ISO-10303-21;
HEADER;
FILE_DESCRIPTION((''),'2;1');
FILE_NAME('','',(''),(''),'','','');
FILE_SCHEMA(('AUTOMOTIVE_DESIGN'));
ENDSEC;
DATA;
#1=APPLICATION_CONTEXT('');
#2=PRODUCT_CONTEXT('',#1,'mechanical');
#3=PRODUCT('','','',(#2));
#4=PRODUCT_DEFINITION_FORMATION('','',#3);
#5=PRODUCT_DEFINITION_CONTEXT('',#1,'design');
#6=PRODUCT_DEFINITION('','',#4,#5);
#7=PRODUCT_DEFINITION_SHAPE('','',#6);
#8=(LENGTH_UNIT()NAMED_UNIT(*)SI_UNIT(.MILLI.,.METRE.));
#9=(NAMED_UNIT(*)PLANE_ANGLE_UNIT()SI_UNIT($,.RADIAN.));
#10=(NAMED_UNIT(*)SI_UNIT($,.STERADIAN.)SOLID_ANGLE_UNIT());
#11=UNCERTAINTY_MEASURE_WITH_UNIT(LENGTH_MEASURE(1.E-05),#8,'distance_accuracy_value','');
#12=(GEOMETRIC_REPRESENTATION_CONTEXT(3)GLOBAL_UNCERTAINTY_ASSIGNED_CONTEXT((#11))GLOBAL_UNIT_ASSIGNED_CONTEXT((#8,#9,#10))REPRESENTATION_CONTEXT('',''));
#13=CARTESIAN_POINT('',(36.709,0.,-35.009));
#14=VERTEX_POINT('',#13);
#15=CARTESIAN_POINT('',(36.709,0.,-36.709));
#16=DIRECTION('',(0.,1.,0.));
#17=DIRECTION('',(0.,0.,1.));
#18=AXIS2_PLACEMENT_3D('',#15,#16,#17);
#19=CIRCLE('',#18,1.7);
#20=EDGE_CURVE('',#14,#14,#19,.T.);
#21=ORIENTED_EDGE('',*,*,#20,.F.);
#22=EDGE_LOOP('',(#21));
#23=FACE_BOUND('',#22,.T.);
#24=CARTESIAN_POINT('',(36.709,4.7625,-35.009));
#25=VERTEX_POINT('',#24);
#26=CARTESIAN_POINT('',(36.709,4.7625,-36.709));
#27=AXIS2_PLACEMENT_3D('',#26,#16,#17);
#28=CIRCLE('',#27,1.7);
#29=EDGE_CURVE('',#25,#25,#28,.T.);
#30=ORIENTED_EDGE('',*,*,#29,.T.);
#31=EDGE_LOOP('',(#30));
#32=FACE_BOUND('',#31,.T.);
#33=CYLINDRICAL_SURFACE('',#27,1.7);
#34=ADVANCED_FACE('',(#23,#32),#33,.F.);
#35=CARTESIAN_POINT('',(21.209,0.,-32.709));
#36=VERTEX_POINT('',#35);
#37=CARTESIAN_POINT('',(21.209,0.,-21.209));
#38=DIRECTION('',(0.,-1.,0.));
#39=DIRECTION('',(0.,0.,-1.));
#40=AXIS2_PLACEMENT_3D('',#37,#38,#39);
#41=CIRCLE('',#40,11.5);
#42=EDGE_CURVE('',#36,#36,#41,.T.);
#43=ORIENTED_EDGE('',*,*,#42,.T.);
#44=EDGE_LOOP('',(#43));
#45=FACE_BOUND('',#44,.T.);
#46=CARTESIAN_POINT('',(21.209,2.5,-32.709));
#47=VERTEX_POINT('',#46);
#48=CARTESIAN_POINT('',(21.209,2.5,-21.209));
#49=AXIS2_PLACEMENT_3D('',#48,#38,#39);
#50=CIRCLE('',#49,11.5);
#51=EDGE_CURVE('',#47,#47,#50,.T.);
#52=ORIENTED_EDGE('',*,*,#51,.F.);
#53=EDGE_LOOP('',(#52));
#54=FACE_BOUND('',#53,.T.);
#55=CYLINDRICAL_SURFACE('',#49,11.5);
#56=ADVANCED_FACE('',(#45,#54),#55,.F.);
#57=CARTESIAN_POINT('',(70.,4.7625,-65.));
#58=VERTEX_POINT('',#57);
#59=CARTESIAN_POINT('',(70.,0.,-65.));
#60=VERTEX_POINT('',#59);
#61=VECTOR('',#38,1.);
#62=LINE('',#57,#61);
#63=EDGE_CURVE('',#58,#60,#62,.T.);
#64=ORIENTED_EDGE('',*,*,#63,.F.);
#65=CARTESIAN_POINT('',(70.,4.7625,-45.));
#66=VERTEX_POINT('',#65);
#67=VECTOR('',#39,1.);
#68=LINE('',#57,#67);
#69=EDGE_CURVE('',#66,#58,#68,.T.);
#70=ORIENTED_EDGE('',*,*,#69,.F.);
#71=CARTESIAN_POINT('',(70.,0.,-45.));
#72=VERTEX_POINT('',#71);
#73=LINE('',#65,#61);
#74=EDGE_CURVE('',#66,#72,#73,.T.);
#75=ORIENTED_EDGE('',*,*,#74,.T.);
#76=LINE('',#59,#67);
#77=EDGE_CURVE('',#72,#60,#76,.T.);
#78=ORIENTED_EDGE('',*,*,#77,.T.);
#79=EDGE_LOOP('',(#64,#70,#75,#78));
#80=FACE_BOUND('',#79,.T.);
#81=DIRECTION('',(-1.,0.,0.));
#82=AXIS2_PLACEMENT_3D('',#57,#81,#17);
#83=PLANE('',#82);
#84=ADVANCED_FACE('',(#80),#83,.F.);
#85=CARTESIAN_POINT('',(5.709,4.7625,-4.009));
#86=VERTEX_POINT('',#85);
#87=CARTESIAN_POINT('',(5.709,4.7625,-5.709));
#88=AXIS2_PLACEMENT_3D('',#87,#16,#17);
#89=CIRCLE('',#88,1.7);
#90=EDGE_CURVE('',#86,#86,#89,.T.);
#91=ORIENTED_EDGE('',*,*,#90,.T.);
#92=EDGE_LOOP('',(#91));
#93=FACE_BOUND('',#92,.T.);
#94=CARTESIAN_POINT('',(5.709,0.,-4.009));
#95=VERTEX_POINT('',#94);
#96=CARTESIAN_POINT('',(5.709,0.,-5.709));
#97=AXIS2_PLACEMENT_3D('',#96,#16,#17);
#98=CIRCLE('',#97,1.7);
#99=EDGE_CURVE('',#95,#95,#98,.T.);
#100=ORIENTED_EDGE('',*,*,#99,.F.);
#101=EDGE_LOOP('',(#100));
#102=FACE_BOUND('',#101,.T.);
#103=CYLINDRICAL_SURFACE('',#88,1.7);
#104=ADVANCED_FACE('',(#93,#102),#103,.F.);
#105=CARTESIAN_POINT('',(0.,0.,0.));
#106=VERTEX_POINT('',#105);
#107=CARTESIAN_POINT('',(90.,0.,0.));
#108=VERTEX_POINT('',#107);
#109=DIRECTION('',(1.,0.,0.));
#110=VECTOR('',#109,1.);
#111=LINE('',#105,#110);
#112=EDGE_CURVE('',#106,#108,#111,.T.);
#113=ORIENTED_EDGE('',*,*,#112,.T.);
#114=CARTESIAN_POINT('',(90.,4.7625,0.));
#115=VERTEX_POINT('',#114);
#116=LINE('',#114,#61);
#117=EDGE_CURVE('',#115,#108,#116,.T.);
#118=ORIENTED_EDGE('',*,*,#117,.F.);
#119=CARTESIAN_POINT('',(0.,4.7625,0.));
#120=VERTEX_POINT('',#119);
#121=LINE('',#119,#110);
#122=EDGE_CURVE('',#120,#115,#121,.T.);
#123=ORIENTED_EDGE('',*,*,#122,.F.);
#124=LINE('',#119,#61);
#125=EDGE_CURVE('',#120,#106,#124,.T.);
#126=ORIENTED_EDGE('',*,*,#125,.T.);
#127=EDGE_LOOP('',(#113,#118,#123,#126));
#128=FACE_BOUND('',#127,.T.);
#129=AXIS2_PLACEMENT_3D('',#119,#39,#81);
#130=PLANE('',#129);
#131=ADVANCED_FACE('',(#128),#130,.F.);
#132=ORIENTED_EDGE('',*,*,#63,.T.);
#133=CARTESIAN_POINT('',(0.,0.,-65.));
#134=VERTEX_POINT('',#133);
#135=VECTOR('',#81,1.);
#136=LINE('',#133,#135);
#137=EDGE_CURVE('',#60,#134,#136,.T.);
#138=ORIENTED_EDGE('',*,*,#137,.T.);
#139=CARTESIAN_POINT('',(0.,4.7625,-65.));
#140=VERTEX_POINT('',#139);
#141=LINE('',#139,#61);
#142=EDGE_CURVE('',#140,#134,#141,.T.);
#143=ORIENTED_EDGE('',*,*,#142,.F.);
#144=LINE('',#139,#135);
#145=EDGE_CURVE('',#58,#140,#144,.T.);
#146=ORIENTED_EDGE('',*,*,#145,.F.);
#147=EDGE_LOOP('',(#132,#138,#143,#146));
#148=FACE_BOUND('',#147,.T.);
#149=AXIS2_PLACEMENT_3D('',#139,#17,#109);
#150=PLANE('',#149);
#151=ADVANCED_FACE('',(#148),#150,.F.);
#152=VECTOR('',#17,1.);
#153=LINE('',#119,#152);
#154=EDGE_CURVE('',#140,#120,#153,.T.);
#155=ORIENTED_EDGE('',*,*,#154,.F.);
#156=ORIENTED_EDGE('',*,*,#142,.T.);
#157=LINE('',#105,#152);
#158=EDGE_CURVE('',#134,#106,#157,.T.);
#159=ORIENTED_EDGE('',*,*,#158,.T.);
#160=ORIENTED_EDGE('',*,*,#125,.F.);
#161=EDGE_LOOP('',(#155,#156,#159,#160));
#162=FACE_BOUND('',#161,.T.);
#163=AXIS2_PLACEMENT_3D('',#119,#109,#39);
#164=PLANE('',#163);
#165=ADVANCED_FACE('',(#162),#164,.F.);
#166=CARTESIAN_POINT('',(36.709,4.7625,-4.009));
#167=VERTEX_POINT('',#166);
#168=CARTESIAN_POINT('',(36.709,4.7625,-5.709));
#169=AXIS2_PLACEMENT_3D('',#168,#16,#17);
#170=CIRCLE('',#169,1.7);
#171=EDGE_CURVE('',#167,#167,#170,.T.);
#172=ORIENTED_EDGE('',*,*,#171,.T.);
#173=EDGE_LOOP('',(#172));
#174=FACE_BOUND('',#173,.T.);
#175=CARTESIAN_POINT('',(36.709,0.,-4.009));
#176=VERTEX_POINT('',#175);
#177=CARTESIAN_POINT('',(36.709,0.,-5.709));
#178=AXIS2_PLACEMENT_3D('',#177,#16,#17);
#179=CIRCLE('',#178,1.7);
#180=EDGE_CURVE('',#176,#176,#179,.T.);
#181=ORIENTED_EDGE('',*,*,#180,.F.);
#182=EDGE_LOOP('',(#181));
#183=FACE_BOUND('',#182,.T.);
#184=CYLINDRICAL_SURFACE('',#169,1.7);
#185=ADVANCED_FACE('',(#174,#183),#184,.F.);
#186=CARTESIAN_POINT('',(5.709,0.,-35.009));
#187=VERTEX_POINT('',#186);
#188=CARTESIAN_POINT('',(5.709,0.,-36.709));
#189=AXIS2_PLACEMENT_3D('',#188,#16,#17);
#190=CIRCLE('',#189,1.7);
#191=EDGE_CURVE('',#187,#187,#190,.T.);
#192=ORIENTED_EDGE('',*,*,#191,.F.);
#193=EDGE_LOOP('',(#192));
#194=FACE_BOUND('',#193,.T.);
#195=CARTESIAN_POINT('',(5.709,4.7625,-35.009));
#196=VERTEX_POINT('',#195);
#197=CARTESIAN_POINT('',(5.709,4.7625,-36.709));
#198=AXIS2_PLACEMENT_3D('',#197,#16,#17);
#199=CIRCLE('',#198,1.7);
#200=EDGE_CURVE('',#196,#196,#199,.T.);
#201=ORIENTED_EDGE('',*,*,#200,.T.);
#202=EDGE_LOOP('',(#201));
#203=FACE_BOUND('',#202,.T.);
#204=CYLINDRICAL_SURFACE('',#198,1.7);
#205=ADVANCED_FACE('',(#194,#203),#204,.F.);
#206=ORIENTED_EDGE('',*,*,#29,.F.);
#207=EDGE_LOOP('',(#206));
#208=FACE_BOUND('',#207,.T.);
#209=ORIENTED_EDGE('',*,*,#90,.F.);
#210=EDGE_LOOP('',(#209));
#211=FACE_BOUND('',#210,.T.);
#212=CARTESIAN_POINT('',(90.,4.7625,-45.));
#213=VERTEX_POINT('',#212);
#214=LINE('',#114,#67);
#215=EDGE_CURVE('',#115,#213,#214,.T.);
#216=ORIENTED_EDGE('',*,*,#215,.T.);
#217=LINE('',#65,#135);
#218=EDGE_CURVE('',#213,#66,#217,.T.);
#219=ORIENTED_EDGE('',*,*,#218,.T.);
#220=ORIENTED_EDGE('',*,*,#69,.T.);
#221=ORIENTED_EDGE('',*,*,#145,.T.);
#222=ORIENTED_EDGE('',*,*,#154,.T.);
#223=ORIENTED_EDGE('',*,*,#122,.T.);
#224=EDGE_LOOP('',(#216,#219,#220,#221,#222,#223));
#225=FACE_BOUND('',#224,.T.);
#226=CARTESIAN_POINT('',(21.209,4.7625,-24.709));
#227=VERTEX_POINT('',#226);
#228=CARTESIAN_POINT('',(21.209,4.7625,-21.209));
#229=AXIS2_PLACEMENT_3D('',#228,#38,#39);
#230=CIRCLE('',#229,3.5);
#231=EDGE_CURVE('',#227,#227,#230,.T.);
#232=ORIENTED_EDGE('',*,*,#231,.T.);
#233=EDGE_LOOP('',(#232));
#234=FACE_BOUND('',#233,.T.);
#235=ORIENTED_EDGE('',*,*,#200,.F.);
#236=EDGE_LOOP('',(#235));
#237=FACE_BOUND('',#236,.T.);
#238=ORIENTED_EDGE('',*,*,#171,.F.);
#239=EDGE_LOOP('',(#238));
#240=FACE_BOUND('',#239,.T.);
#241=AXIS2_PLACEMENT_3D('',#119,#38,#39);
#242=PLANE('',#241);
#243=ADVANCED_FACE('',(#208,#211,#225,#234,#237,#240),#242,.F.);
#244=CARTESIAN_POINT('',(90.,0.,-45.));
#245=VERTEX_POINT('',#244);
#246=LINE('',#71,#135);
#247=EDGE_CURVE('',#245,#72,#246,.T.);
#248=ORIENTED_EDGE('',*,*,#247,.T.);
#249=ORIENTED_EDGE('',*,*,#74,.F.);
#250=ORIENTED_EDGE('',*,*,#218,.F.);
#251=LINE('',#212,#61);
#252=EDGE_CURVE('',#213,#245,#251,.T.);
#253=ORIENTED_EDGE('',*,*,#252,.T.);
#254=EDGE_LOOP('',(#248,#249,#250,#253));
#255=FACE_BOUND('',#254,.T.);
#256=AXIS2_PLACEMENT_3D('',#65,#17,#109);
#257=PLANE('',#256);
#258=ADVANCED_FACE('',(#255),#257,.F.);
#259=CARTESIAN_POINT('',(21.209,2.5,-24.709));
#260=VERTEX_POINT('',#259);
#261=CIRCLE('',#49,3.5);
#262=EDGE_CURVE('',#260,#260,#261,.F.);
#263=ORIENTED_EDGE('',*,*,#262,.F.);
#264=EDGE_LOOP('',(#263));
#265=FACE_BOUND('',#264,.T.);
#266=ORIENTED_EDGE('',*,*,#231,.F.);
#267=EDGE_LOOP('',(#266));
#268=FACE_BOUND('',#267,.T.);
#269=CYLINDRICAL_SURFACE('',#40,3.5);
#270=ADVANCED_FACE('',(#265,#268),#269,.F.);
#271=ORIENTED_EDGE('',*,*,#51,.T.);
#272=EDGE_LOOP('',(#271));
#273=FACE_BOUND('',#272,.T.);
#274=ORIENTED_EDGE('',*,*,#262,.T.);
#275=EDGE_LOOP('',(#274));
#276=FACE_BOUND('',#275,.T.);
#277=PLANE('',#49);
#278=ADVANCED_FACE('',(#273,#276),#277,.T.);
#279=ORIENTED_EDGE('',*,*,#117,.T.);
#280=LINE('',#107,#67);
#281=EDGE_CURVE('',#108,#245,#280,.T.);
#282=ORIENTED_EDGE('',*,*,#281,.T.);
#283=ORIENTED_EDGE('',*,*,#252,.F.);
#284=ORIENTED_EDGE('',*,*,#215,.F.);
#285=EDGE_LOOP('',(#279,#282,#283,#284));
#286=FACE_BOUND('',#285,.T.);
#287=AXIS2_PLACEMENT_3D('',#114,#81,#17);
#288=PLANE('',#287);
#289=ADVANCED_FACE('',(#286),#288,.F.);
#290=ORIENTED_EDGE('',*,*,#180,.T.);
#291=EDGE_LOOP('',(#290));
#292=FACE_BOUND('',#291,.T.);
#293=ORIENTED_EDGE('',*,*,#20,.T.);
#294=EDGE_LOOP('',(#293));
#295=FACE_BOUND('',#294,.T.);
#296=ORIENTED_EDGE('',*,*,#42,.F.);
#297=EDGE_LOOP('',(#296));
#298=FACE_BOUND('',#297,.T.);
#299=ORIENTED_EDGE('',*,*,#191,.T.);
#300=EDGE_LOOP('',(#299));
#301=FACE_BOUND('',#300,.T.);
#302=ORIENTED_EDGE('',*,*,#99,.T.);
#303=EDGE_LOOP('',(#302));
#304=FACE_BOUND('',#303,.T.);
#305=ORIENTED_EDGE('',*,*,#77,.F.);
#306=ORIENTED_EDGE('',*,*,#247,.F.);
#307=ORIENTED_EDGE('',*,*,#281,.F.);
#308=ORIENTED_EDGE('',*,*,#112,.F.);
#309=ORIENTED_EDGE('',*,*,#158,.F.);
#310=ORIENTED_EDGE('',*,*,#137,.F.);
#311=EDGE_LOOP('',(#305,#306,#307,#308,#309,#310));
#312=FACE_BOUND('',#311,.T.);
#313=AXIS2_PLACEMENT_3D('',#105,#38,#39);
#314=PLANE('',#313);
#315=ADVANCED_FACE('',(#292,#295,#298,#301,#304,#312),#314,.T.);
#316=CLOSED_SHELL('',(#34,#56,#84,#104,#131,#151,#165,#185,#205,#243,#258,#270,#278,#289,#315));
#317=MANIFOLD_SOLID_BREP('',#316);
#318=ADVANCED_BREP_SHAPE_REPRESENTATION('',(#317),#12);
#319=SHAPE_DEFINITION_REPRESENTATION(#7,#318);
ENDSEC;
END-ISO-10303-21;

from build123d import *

# Parameters (mm, degrees)
BOSS_EXTRUDE1_DEPTH      = 4.7625
M3_CLEARANCE_HOLE1_D     = 3.4
F_7_0_7_DIAMETER_HOLE1_D = 7
SKETCH12_R               = 11.5
CUT_EXTRUDE1_DEPTH       = 2.5


with BuildPart() as part:
    # Sketch1 → Boss-Extrude1 (new body)
    with BuildSketch(Plane(origin=(0, 0, 0), x_dir=(1, 0, 0), z_dir=(0, 1, 0))):
        Polygon((70, 65), (70, 45), (90, 45), (90, 0), (0, 0), (0, 65), align=None)
    extrude(amount=BOSS_EXTRUDE1_DEPTH)

    # M3 Clearance Hole1 (through all)
    with Locations(Plane(origin=(0, 4.7625, 0), x_dir=(1, 0, 0), z_dir=(0, 1, 0))):
        with Locations((36.709, 5.709), (36.709, 36.709), (5.709, 36.709), (5.709, 5.709)):
            Hole(M3_CLEARANCE_HOLE1_D / 2)

    # Ø7.0 (7) Diameter Hole1 (through all)
    with Locations(Plane(origin=(0, 0, 0), x_dir=(-1, 0, 0), z_dir=(0, -1, 0))):
        with Locations((-21.209, 21.209)):
            Hole(F_7_0_7_DIAMETER_HOLE1_D / 2)

    # Sketch12 → Cut-Extrude1 (cut)
    with BuildSketch(Plane.XZ):
        with Locations(Location((21.209, -21.209, 0), (0, 0, 270))):
            Circle(SKETCH12_R)
    extrude(amount=-CUT_EXTRUDE1_DEPTH, mode=Mode.SUBTRACT)


solid = part.part
